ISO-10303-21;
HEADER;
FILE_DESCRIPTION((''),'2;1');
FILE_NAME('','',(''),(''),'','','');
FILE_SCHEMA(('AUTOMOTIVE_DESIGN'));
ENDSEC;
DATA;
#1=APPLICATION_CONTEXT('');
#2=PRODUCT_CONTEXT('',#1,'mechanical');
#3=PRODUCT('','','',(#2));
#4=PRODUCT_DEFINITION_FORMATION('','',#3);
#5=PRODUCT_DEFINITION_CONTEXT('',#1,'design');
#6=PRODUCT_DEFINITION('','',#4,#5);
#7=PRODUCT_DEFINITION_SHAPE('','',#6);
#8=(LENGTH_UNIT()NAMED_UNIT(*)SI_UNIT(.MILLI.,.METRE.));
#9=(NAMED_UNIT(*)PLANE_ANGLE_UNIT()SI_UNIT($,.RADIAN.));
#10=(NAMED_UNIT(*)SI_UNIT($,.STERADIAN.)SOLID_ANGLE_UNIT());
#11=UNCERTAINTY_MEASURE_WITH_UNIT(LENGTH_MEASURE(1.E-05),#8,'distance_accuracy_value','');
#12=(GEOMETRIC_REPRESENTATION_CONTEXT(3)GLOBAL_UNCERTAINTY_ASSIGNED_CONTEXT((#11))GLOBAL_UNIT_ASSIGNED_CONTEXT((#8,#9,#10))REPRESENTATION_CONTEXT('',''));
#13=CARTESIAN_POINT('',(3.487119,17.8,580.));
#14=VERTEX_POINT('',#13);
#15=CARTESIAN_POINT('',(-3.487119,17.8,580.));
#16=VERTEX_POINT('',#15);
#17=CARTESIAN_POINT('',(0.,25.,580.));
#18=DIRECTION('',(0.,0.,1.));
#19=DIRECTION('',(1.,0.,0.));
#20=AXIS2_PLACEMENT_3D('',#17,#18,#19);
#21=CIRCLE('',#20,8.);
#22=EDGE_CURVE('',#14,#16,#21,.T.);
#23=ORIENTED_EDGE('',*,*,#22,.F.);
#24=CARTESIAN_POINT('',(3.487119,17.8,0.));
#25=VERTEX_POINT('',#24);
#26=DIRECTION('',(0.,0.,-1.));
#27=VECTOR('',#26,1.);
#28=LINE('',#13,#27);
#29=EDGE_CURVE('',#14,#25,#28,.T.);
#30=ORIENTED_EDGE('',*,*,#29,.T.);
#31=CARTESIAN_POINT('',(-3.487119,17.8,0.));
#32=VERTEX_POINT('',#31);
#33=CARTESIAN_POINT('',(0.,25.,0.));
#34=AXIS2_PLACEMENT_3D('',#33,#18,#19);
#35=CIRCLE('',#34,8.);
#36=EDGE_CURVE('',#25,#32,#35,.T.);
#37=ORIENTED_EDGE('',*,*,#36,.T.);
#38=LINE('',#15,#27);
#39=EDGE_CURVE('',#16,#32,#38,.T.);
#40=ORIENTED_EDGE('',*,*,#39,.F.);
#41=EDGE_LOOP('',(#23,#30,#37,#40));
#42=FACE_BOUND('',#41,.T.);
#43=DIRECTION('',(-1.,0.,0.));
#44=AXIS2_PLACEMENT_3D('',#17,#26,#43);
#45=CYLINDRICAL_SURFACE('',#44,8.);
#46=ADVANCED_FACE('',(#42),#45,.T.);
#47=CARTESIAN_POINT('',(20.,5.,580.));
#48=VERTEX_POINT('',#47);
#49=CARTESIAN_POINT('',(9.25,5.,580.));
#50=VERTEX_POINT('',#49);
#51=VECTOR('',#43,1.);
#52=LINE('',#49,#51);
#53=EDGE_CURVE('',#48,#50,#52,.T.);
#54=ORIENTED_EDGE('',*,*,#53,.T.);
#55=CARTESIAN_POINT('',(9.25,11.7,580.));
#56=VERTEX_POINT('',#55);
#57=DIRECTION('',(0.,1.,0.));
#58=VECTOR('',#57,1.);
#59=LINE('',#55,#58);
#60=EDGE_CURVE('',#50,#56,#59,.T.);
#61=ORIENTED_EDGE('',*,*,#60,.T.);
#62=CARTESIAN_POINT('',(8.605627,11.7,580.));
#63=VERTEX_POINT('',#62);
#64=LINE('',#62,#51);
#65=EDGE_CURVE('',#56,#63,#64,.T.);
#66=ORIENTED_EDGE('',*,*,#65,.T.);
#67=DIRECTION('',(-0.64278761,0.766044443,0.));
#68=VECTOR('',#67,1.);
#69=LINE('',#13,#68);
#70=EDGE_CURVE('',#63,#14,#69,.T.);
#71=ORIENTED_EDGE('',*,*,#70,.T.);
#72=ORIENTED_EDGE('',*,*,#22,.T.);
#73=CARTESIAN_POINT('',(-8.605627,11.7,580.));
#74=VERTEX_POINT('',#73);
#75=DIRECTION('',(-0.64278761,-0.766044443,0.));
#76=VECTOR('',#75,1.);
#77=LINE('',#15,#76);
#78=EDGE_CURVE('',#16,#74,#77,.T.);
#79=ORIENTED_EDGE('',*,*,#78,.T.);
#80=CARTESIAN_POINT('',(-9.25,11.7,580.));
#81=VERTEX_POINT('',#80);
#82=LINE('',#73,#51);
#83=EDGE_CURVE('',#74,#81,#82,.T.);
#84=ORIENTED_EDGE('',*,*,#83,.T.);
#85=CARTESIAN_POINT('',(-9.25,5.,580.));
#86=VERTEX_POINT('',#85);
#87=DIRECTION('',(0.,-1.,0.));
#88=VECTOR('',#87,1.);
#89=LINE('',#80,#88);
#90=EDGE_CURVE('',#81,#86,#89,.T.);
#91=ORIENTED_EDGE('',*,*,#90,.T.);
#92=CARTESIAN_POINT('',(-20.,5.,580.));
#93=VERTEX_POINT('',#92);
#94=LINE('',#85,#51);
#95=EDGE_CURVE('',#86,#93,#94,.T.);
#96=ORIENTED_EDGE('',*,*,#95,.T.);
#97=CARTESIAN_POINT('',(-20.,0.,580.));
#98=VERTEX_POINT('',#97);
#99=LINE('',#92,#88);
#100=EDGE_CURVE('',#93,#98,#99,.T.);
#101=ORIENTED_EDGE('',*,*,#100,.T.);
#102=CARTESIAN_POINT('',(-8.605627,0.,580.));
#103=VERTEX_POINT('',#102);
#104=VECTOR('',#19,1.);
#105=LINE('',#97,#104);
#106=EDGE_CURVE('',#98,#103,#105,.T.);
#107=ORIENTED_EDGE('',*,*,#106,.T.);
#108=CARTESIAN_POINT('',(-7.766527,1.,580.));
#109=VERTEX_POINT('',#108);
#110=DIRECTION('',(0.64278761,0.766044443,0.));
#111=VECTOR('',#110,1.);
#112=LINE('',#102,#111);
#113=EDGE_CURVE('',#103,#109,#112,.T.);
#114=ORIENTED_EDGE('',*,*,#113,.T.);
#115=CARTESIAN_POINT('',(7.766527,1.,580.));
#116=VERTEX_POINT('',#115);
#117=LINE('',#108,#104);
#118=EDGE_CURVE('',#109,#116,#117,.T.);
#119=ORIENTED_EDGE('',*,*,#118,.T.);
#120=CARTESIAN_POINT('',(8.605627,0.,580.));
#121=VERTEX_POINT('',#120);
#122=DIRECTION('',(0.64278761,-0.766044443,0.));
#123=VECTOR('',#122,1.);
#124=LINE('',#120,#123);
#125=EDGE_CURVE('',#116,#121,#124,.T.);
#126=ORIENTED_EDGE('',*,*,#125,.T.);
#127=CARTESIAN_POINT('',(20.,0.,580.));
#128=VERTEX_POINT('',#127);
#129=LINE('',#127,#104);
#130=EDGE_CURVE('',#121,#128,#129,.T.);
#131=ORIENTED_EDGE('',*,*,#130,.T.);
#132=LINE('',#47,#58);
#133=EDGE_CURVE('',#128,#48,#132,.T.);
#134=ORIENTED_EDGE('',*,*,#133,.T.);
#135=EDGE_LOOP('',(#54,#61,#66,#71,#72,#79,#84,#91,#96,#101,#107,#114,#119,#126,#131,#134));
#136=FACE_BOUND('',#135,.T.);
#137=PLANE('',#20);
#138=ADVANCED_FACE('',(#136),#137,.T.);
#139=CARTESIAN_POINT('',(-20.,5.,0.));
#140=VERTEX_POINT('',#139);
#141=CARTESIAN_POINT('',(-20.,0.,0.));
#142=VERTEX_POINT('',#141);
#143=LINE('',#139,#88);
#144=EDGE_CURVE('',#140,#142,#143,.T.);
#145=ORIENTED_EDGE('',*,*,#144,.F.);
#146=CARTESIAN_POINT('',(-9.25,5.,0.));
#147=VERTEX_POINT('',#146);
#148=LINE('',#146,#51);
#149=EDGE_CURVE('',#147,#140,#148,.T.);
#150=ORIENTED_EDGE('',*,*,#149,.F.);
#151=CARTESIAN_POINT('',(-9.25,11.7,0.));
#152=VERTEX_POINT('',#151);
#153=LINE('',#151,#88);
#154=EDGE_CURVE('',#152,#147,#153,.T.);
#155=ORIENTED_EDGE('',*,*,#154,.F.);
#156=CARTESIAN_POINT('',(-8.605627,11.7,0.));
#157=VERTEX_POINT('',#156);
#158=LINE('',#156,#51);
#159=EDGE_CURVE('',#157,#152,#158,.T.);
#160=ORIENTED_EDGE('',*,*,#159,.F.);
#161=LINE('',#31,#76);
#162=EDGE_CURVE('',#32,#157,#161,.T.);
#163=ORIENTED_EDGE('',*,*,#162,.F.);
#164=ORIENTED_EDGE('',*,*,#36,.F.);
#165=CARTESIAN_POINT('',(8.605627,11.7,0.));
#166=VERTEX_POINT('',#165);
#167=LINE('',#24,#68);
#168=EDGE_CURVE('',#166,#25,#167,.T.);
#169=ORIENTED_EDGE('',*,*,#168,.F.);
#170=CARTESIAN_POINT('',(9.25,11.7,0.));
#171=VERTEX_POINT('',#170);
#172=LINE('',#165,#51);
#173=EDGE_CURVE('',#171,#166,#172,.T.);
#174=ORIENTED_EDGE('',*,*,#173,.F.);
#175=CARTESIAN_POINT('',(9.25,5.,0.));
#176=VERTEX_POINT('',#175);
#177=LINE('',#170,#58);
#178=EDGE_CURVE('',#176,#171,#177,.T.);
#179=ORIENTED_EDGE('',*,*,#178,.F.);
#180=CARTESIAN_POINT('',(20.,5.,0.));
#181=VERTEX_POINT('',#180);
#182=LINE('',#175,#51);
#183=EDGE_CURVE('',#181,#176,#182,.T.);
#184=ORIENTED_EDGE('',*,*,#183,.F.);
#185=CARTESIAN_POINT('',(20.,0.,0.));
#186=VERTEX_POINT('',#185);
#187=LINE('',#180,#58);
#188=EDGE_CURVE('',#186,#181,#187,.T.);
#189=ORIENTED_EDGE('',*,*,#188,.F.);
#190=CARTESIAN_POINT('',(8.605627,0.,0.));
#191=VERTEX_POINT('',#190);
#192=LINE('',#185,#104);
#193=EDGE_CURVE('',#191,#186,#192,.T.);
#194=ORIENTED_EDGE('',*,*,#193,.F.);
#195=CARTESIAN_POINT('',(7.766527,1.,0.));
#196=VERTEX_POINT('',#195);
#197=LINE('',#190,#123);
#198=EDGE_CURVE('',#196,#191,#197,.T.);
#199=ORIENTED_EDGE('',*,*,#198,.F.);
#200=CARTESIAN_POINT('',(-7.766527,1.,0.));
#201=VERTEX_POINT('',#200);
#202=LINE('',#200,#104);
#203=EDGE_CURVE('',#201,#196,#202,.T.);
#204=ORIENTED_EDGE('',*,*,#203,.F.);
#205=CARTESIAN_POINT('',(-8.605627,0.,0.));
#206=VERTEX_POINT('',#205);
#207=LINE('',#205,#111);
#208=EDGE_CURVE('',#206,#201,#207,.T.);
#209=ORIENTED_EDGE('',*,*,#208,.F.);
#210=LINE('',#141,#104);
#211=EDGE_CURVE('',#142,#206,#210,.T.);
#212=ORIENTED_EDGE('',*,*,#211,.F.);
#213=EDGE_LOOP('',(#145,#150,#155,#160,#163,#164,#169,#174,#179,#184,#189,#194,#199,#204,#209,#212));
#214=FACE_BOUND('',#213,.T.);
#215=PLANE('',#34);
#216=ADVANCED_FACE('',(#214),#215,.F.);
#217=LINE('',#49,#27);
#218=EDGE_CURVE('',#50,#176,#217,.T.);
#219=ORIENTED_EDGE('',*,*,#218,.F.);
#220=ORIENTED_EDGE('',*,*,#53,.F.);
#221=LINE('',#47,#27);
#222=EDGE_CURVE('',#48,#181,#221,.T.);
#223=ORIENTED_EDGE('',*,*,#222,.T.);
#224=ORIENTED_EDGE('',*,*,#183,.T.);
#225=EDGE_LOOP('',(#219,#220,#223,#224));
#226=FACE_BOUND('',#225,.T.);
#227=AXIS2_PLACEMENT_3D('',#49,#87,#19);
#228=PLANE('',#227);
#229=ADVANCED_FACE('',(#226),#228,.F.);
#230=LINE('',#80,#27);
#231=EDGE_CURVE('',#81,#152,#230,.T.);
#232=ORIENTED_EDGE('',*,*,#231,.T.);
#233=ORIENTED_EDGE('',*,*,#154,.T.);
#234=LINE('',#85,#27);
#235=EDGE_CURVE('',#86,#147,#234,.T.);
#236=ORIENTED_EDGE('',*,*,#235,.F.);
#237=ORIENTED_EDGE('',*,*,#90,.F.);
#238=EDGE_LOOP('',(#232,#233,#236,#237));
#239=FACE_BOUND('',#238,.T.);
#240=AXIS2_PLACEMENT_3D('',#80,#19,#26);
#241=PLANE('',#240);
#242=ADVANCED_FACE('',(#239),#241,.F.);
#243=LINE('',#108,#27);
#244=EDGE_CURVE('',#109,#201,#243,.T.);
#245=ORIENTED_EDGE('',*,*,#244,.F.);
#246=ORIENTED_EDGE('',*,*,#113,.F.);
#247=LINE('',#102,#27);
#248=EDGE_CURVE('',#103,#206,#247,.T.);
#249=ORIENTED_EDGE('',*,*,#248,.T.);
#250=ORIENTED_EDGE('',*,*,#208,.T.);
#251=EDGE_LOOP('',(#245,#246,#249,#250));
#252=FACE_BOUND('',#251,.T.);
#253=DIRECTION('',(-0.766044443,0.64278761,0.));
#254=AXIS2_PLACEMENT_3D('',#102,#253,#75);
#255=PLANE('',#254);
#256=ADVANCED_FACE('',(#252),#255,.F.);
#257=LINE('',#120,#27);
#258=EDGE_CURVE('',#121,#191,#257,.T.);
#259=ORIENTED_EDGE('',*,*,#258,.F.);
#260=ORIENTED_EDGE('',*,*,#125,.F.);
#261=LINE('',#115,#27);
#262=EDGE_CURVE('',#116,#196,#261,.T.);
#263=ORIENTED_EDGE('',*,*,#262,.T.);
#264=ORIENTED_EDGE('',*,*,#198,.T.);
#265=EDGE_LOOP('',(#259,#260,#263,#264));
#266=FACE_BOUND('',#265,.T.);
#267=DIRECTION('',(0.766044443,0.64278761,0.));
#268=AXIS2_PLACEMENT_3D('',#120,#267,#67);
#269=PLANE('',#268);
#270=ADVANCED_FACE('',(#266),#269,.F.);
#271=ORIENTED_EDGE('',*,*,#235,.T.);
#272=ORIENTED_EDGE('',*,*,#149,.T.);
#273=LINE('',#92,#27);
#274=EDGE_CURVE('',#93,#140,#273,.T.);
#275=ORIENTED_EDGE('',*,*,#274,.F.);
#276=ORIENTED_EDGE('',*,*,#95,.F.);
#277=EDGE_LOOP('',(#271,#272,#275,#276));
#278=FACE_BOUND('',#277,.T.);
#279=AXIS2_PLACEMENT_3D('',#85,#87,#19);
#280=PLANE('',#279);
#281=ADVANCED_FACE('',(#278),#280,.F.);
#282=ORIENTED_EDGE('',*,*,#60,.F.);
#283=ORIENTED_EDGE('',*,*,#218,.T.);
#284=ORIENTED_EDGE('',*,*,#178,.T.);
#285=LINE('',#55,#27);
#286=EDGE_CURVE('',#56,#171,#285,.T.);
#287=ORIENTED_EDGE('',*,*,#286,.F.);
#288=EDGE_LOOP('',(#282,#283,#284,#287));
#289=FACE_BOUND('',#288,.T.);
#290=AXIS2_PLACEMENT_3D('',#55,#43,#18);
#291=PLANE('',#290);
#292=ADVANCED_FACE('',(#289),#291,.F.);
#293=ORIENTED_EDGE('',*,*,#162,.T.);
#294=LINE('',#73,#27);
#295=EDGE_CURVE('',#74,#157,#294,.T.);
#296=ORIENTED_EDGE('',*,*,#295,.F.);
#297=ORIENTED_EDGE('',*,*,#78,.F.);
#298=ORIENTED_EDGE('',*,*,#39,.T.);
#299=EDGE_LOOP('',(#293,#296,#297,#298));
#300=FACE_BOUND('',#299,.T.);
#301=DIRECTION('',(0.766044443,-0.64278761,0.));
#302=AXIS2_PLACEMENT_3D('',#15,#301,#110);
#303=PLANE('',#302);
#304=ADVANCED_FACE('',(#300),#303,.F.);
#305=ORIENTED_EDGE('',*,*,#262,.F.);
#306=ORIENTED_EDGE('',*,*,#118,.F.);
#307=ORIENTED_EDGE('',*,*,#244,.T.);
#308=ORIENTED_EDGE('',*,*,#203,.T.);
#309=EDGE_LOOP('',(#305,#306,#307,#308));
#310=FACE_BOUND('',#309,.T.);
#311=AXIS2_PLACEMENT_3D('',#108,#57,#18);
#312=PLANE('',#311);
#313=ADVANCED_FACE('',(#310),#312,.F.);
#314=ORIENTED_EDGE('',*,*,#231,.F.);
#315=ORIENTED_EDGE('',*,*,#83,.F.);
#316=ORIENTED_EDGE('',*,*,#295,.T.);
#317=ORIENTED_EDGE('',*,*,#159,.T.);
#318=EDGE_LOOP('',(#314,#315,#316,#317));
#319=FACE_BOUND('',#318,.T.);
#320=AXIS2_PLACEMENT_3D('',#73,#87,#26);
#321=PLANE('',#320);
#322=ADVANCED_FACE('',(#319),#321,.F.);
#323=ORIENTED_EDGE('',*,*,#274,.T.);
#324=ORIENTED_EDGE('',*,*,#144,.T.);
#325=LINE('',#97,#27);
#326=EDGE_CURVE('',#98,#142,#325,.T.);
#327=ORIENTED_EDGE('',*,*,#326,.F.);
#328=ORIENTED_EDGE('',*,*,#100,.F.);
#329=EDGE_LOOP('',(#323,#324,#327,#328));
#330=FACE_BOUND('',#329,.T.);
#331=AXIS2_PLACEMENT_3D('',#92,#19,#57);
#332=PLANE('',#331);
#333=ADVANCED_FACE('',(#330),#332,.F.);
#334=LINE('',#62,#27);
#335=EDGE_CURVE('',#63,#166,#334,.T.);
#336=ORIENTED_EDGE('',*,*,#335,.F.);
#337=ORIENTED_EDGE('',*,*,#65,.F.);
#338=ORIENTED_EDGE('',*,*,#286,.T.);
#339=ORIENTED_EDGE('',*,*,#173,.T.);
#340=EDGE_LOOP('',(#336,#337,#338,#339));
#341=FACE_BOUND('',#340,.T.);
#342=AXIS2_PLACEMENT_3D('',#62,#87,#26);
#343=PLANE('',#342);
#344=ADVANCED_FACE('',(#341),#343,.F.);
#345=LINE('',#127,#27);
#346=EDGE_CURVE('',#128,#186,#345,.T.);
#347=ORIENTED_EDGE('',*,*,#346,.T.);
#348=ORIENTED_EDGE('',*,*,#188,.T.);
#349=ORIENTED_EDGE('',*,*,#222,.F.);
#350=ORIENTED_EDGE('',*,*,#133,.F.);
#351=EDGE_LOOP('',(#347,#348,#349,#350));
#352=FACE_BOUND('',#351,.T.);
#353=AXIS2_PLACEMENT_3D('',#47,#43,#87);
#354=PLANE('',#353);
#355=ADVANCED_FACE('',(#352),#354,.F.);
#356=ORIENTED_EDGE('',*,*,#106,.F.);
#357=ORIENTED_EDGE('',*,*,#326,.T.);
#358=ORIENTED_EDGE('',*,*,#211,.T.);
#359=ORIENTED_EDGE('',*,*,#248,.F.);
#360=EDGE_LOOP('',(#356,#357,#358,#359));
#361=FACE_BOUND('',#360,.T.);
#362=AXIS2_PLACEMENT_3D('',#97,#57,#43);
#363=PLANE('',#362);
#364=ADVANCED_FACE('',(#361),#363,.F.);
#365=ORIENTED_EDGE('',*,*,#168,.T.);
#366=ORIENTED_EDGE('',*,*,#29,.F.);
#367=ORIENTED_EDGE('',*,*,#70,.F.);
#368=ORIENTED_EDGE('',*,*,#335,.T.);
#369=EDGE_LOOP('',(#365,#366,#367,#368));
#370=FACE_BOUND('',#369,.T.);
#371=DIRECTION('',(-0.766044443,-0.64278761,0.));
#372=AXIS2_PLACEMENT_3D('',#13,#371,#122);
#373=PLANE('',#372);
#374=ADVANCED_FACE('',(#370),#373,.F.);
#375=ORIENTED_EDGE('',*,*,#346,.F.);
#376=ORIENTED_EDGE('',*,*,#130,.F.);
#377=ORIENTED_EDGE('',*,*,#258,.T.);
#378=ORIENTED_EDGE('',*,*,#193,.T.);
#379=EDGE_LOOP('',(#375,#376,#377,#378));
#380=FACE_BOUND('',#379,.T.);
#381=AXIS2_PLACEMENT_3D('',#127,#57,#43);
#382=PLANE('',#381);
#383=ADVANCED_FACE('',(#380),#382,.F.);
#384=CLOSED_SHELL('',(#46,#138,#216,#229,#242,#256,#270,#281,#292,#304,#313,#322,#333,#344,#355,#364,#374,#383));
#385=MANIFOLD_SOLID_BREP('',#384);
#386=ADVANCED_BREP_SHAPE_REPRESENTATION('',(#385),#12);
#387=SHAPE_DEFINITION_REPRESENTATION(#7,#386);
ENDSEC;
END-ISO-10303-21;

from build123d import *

# Parameters (mm, degrees)
DODANIE_WYCI_GNI_CIE1_DEPTH = 580


with BuildPart() as part:
    # Szkic1 → Dodanie-wyciągnięcie1 (new body)
    with BuildSketch(Plane.XY):
        with BuildLine():
            Line((-3.487119155, 17.8), (-8.605626905, 11.7))
            Line((-8.605626905, 11.7), (-9.25, 11.7))
            Line((-9.25, 11.7), (-9.25, 5))
            Line((-9.25, 5), (-20, 5))
            Line((-20, 5), (-20, 0))
            Line((-20, 0), (-8.605626905, 0))
            Line((-8.605626905, 0), (-7.766527274, 1))
            Line((-7.766527274, 1), (7.766527274, 1))
            Line((7.766527274, 1), (8.605626905, 0))
            Line((8.605626905, 0), (20, 0))
            Line((20, 0), (20, 5))
            Line((20, 5), (9.25, 5))
            Line((9.25, 5), (9.25, 11.7))
            Line((9.25, 11.7), (8.605626905, 11.7))
            Line((8.605626905, 11.7), (3.487119155, 17.8))
            ThreePointArc((3.487119155, 17.8), (0, 33), (-3.487119155, 17.8))
        make_face()
    extrude(amount=DODANIE_WYCI_GNI_CIE1_DEPTH)


solid = part.part
